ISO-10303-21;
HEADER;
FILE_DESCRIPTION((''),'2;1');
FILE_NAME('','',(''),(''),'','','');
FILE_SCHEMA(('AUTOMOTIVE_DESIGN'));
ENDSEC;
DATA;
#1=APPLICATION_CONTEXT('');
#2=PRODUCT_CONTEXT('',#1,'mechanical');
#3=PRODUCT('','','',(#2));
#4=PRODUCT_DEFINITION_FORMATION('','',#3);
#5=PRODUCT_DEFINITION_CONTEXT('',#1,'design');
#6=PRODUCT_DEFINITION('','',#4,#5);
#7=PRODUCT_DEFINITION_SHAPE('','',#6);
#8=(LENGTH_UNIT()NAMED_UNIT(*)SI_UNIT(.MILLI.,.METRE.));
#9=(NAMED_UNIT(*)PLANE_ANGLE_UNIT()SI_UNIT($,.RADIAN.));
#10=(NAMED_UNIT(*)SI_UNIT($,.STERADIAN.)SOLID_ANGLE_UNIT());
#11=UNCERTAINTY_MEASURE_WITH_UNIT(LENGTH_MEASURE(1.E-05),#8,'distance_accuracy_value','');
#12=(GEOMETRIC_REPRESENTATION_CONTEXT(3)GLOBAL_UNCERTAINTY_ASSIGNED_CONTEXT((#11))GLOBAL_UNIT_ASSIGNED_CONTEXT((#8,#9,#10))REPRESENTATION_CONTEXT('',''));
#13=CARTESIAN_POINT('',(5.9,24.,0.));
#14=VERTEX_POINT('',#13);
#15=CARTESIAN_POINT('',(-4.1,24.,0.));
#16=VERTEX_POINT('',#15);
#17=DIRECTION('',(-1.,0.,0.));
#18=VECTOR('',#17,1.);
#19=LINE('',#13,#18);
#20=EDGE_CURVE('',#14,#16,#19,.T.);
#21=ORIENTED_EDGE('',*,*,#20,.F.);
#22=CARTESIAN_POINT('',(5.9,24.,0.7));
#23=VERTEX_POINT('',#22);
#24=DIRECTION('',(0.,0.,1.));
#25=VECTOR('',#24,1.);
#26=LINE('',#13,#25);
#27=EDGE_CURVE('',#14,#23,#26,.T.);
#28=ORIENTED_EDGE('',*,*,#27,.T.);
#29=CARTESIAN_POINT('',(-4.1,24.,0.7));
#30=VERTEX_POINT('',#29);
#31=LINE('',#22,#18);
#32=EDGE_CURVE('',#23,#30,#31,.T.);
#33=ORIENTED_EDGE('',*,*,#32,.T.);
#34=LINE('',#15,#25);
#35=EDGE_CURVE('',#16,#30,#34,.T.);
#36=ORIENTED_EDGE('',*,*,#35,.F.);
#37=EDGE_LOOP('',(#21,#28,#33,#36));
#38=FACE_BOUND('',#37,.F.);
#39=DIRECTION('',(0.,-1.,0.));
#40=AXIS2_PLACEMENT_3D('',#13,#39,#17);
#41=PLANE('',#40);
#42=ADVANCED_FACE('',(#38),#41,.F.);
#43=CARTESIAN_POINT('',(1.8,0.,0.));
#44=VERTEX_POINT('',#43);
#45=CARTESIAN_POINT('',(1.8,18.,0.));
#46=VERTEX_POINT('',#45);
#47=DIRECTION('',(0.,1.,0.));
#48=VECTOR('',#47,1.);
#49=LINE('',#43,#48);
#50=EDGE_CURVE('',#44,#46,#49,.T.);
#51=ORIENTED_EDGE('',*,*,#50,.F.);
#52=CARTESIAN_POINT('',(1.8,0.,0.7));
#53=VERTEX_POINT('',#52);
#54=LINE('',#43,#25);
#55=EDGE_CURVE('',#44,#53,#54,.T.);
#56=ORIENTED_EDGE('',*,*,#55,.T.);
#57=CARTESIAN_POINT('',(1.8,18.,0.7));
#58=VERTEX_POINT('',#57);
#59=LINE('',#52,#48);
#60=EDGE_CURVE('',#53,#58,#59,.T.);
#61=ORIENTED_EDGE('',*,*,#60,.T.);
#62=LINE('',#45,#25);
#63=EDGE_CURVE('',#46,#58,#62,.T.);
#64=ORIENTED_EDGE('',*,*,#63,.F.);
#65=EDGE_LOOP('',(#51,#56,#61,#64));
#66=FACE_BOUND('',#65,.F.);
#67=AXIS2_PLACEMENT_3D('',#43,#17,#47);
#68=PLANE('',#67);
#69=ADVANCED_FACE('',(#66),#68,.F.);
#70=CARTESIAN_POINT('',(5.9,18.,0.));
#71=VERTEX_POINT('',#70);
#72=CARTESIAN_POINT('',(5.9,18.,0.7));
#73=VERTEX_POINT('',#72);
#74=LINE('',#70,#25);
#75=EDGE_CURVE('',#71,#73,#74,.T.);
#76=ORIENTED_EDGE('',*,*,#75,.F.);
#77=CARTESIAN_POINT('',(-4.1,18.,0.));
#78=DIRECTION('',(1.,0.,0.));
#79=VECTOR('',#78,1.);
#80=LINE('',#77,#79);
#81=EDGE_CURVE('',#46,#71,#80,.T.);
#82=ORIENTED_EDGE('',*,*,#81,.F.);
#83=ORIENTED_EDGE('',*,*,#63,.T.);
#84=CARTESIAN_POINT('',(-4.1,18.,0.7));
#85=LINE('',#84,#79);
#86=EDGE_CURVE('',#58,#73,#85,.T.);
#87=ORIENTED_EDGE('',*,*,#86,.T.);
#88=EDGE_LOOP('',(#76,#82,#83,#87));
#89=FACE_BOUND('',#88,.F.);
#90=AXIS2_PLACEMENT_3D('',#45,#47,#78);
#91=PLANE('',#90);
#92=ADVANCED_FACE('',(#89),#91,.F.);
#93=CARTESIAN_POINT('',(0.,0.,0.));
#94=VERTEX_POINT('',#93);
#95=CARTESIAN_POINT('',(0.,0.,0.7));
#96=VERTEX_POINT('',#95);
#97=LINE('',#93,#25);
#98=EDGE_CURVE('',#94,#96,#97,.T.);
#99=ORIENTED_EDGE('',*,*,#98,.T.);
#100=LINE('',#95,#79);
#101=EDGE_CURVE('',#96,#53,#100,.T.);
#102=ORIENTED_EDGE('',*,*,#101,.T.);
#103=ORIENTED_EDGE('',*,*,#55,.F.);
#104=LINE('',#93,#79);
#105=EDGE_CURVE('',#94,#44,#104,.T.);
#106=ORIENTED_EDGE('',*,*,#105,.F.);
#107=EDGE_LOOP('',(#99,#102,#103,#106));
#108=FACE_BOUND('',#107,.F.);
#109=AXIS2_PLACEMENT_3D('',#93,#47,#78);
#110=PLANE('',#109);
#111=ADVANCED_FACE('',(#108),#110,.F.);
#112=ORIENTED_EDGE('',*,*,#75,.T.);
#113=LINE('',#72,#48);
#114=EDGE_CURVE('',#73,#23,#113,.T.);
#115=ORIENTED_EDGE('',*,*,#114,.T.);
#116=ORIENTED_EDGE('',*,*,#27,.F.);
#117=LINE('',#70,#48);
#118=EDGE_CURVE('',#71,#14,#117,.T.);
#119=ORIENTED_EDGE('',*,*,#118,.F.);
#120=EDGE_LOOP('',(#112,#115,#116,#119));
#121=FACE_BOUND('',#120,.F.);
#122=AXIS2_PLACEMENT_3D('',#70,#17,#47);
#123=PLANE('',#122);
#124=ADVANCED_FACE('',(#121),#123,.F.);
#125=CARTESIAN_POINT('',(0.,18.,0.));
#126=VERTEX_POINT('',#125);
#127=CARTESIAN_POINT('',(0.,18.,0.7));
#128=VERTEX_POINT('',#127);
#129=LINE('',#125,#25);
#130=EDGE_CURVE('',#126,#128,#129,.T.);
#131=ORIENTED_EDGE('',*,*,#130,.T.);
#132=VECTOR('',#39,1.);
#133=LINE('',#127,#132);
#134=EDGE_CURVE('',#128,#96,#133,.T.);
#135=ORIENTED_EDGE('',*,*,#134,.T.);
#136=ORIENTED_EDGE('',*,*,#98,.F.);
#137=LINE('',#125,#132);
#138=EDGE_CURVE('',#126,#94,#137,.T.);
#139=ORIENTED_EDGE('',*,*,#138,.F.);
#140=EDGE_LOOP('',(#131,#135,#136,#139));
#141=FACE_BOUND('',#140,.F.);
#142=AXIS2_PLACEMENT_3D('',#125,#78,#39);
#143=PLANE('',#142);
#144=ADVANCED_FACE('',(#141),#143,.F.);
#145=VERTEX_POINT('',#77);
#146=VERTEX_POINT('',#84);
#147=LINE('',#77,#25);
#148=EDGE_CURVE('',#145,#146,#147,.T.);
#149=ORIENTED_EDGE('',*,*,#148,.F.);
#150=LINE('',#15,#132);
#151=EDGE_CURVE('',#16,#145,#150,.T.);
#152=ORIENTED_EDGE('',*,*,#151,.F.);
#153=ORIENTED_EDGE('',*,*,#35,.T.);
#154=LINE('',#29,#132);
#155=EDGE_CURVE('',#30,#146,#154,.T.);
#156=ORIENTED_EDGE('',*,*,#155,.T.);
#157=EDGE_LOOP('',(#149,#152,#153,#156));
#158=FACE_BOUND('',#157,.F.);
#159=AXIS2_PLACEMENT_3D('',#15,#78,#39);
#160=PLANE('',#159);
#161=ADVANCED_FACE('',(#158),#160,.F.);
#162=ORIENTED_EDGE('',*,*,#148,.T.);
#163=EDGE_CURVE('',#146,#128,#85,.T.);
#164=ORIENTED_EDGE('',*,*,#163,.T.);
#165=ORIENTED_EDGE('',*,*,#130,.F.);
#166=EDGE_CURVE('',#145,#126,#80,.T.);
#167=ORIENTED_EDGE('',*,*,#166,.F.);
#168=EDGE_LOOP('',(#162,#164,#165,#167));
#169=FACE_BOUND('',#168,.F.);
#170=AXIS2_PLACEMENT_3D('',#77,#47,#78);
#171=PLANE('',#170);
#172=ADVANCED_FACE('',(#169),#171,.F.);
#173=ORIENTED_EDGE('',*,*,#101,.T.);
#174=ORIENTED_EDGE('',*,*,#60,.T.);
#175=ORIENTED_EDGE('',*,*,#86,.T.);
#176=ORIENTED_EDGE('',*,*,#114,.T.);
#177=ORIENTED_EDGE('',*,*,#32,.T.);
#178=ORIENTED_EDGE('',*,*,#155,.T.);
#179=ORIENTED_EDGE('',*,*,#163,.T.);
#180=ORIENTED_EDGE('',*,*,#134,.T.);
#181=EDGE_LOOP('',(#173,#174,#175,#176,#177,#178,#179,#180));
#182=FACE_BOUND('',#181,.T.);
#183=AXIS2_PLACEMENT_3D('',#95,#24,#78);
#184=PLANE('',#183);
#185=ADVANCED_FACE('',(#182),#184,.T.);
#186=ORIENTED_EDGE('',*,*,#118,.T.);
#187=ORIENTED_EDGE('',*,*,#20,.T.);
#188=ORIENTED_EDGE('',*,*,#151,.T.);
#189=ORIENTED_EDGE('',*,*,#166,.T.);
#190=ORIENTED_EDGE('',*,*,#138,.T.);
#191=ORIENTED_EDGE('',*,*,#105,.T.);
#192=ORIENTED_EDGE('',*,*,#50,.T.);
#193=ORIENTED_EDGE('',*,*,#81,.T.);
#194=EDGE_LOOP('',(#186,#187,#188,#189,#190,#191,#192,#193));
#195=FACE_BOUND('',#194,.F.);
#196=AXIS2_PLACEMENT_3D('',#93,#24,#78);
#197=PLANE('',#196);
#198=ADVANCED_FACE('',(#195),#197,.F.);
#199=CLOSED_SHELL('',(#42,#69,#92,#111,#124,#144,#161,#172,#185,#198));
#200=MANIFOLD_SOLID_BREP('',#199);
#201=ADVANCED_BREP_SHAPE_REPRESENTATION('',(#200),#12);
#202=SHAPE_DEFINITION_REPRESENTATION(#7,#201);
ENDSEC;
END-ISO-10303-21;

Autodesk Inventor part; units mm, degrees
ref_plane "YZ Plane" through (0, 0, 0) normal (1, 0, 0) x (0, 1, 0)
ref_plane "XZ Plane" through (0, 0, 0) normal (0, 1, 0) x (-1, 0, 0)
ref_plane "XY Plane" through (0, 0, 0) normal (0, 0, 1) x (1, 0, 0)
sketch "Sketch1" plane through (0, 0, 0) normal (0, 0, 1) x (1, 0, 0)
  line L0 (0, 0) -> (1.8, 0)
  line L1 (1.8, 0) -> (1.8, 18)
  line L2 (1.8, 18) -> (0, 18)
  line L3 (0, 18) -> (0, 0)
  line L4 (-4.1, 18) -> (5.9, 18)
  line L5 (5.9, 18) -> (5.9, 24)
  line L6 (5.9, 24) -> (-4.1, 24)
  line L7 (-4.1, 24) -> (-4.1, 18)
  dimension "d0" = 1.8
  dimension "d1" = 18
  dimension "d2" = 10
  dimension "d3" = 6
  dimension "d4" = 4.1
  dimension "d5" = 4.1
extrude "Extrusion1" add sketch "Sketch1" along normal blind 0.7
properties part number "Bevestiging Token"
